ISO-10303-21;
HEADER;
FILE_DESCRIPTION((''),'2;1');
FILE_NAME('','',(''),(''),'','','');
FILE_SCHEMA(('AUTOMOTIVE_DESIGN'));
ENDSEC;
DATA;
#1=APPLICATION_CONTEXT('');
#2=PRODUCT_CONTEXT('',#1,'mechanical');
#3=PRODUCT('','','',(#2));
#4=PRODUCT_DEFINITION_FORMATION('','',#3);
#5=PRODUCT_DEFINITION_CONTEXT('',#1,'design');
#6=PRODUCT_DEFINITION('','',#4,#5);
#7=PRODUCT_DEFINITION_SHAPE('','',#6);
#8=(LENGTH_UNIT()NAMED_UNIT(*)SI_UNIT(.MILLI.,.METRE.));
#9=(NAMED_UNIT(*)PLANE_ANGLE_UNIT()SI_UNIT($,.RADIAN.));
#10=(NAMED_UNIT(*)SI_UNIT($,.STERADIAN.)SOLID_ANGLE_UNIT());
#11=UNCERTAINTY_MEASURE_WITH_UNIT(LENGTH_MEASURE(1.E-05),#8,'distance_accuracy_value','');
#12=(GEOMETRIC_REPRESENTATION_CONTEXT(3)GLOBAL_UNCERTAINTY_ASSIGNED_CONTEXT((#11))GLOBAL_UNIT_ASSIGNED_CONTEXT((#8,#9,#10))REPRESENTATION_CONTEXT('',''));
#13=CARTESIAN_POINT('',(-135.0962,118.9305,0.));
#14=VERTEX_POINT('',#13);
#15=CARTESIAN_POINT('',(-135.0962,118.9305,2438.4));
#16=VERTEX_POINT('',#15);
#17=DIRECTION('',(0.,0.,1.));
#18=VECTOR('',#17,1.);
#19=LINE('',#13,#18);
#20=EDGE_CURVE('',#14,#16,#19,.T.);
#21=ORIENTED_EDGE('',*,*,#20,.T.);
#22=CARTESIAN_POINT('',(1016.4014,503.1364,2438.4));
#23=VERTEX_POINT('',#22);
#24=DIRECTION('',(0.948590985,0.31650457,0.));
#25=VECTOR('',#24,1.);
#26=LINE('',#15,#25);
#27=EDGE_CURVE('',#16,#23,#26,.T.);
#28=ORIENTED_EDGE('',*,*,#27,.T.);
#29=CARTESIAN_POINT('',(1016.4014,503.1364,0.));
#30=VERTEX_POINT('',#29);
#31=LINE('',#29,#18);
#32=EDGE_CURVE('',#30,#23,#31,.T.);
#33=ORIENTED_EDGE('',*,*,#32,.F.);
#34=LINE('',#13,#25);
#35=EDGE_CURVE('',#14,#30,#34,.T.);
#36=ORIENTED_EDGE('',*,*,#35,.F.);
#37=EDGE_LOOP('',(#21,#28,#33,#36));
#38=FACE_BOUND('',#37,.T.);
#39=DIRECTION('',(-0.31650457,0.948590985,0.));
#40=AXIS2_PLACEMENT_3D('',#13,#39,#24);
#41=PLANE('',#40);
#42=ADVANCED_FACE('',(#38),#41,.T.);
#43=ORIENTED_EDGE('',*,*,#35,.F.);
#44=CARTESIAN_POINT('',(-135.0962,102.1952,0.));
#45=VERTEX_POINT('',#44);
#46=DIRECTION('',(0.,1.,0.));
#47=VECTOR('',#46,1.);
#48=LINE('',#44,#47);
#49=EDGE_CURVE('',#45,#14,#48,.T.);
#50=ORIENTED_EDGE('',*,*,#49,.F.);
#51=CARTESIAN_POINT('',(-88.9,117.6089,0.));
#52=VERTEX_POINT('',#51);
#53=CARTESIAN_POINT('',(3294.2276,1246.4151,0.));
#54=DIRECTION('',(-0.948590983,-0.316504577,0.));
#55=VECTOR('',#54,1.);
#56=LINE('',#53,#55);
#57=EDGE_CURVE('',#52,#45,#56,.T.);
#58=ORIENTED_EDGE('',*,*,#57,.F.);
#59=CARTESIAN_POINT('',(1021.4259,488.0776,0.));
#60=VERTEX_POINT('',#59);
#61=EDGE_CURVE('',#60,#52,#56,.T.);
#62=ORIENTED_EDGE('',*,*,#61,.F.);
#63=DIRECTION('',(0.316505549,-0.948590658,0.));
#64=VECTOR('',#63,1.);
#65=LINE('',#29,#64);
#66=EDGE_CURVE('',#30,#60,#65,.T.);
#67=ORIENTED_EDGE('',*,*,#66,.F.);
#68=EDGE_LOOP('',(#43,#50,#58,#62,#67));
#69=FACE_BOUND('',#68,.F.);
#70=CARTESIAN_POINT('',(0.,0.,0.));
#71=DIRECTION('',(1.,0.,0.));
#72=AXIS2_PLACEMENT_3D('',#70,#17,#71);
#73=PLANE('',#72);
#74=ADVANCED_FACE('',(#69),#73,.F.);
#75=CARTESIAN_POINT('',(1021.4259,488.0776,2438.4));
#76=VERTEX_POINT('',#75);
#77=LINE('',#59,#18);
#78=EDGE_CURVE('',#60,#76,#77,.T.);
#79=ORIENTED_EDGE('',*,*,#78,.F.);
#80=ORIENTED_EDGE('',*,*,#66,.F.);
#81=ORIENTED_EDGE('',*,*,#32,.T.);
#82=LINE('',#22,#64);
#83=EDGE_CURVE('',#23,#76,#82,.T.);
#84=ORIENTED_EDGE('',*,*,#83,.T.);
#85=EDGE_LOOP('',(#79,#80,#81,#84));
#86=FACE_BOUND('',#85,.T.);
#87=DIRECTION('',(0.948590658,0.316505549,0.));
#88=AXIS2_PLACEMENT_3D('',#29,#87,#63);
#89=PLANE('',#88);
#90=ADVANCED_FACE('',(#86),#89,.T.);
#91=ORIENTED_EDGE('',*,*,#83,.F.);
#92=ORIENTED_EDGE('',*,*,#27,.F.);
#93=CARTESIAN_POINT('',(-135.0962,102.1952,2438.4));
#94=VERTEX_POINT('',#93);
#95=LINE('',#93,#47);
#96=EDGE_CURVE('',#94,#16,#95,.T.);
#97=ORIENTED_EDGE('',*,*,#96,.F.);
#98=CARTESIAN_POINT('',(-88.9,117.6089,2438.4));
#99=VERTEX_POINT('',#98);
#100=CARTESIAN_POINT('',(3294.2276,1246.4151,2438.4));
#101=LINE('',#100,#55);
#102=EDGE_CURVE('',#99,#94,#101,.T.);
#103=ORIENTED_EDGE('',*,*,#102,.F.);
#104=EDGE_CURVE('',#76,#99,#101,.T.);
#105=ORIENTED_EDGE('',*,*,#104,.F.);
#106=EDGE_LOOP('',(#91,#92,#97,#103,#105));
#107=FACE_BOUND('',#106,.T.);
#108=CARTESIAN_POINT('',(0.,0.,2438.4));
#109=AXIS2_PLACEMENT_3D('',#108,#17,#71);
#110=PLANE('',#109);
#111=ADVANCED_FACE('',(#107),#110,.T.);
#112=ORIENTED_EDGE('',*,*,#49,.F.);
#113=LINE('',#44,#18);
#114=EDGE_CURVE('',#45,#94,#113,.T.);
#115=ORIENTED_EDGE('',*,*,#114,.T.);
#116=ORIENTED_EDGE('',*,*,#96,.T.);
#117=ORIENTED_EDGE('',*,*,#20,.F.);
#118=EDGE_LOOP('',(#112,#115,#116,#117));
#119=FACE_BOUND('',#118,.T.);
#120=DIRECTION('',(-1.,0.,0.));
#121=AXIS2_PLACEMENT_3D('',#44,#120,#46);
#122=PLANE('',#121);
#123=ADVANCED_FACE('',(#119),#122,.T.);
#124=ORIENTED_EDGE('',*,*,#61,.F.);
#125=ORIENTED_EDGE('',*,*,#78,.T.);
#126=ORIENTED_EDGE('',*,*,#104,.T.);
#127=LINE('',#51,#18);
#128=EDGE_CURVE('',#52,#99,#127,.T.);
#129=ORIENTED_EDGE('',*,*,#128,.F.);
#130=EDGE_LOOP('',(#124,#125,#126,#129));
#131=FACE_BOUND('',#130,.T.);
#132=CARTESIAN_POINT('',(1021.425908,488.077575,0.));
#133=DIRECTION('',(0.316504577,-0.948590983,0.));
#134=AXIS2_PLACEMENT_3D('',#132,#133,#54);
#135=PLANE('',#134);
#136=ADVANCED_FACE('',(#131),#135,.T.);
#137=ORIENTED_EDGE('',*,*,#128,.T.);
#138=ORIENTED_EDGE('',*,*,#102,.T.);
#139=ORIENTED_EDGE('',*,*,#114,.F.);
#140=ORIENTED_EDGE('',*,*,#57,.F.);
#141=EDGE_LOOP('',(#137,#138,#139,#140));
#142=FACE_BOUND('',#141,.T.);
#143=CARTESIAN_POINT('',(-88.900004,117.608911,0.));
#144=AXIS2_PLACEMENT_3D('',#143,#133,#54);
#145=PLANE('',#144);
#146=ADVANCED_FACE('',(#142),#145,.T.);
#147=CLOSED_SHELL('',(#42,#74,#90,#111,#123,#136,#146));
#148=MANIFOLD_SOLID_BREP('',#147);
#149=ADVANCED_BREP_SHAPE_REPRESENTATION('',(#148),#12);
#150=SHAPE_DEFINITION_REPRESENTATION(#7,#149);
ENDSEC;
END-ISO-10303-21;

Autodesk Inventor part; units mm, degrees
ref_plane "YZ Plane" through (0, 0, 0) normal (1, 0, 0) x (0, 1, 0)
ref_plane "XZ Plane" through (0, 0, 0) normal (0, 1, 0) x (-1, 0, 0)
sketch "Sketch1" plane through (0, 0, 0) normal (0, 0, 1) x (1, 0, 0)
  line L0 (0, 0) -> (3294.2276, 1099.144)
  line L1 (3294.2276, 1246.4151) -> (-135.0962, 102.1952)
  line L2 (0, 0) -> (-135.0962, 0)
  line L3 (-135.0962, 0) -> (-135.0962, 102.1952)
  line L4 (-135.0962, 102.1952) -> (1593.1098, 678.8242)
  line L5 (3294.2276, 1099.144) -> (3263.9, 1099.144)
  line L6 (3294.2276, 1099.144) -> (3294.2276, 1246.4151)
  line L7 (-88.9, 0) -> (-88.9, 117.6089)
  line L8 (3263.9, 1089.025) -> (3263.9, 1236.2961)
  line L9 (-135.0962, 102.1952) -> (-135.0962, 118.9305)
  line L10 (-135.0962, 118.9305) -> (1016.4014, 503.1364)
  line L11 (1016.4014, 503.1364) -> (1021.4259, 488.0776)
  line L12 (1021.4259, 488.0776) -> (-135.0962, 102.1952)
  line L13 (-135.0962, 102.1952) -> (-100.9981, 0)
  dimension "d5" = 139.7
  dimension "d17" = 88.9
  dimension "d19" = 3352.8
  dimension "d23" = 30.3276
  dimension "d28" = 46.1962
  dimension "d33" = 1089.025
  dimension "d36" = 15.875
  dimension "d37" = 1219.2
extrude "Extrusion2" add sketch "Sketch1" along normal blind 2438.4 contours L1 L9 L10 L11
ref_plane "Work Plane2" through (-135.0962, 102.1952, 0) normal (-0.9486, -0.3165, 0) x (0.3165, -0.9486, 0)
properties part number "OSB_For_Rear_Roof" material "Wood (Birch)"
